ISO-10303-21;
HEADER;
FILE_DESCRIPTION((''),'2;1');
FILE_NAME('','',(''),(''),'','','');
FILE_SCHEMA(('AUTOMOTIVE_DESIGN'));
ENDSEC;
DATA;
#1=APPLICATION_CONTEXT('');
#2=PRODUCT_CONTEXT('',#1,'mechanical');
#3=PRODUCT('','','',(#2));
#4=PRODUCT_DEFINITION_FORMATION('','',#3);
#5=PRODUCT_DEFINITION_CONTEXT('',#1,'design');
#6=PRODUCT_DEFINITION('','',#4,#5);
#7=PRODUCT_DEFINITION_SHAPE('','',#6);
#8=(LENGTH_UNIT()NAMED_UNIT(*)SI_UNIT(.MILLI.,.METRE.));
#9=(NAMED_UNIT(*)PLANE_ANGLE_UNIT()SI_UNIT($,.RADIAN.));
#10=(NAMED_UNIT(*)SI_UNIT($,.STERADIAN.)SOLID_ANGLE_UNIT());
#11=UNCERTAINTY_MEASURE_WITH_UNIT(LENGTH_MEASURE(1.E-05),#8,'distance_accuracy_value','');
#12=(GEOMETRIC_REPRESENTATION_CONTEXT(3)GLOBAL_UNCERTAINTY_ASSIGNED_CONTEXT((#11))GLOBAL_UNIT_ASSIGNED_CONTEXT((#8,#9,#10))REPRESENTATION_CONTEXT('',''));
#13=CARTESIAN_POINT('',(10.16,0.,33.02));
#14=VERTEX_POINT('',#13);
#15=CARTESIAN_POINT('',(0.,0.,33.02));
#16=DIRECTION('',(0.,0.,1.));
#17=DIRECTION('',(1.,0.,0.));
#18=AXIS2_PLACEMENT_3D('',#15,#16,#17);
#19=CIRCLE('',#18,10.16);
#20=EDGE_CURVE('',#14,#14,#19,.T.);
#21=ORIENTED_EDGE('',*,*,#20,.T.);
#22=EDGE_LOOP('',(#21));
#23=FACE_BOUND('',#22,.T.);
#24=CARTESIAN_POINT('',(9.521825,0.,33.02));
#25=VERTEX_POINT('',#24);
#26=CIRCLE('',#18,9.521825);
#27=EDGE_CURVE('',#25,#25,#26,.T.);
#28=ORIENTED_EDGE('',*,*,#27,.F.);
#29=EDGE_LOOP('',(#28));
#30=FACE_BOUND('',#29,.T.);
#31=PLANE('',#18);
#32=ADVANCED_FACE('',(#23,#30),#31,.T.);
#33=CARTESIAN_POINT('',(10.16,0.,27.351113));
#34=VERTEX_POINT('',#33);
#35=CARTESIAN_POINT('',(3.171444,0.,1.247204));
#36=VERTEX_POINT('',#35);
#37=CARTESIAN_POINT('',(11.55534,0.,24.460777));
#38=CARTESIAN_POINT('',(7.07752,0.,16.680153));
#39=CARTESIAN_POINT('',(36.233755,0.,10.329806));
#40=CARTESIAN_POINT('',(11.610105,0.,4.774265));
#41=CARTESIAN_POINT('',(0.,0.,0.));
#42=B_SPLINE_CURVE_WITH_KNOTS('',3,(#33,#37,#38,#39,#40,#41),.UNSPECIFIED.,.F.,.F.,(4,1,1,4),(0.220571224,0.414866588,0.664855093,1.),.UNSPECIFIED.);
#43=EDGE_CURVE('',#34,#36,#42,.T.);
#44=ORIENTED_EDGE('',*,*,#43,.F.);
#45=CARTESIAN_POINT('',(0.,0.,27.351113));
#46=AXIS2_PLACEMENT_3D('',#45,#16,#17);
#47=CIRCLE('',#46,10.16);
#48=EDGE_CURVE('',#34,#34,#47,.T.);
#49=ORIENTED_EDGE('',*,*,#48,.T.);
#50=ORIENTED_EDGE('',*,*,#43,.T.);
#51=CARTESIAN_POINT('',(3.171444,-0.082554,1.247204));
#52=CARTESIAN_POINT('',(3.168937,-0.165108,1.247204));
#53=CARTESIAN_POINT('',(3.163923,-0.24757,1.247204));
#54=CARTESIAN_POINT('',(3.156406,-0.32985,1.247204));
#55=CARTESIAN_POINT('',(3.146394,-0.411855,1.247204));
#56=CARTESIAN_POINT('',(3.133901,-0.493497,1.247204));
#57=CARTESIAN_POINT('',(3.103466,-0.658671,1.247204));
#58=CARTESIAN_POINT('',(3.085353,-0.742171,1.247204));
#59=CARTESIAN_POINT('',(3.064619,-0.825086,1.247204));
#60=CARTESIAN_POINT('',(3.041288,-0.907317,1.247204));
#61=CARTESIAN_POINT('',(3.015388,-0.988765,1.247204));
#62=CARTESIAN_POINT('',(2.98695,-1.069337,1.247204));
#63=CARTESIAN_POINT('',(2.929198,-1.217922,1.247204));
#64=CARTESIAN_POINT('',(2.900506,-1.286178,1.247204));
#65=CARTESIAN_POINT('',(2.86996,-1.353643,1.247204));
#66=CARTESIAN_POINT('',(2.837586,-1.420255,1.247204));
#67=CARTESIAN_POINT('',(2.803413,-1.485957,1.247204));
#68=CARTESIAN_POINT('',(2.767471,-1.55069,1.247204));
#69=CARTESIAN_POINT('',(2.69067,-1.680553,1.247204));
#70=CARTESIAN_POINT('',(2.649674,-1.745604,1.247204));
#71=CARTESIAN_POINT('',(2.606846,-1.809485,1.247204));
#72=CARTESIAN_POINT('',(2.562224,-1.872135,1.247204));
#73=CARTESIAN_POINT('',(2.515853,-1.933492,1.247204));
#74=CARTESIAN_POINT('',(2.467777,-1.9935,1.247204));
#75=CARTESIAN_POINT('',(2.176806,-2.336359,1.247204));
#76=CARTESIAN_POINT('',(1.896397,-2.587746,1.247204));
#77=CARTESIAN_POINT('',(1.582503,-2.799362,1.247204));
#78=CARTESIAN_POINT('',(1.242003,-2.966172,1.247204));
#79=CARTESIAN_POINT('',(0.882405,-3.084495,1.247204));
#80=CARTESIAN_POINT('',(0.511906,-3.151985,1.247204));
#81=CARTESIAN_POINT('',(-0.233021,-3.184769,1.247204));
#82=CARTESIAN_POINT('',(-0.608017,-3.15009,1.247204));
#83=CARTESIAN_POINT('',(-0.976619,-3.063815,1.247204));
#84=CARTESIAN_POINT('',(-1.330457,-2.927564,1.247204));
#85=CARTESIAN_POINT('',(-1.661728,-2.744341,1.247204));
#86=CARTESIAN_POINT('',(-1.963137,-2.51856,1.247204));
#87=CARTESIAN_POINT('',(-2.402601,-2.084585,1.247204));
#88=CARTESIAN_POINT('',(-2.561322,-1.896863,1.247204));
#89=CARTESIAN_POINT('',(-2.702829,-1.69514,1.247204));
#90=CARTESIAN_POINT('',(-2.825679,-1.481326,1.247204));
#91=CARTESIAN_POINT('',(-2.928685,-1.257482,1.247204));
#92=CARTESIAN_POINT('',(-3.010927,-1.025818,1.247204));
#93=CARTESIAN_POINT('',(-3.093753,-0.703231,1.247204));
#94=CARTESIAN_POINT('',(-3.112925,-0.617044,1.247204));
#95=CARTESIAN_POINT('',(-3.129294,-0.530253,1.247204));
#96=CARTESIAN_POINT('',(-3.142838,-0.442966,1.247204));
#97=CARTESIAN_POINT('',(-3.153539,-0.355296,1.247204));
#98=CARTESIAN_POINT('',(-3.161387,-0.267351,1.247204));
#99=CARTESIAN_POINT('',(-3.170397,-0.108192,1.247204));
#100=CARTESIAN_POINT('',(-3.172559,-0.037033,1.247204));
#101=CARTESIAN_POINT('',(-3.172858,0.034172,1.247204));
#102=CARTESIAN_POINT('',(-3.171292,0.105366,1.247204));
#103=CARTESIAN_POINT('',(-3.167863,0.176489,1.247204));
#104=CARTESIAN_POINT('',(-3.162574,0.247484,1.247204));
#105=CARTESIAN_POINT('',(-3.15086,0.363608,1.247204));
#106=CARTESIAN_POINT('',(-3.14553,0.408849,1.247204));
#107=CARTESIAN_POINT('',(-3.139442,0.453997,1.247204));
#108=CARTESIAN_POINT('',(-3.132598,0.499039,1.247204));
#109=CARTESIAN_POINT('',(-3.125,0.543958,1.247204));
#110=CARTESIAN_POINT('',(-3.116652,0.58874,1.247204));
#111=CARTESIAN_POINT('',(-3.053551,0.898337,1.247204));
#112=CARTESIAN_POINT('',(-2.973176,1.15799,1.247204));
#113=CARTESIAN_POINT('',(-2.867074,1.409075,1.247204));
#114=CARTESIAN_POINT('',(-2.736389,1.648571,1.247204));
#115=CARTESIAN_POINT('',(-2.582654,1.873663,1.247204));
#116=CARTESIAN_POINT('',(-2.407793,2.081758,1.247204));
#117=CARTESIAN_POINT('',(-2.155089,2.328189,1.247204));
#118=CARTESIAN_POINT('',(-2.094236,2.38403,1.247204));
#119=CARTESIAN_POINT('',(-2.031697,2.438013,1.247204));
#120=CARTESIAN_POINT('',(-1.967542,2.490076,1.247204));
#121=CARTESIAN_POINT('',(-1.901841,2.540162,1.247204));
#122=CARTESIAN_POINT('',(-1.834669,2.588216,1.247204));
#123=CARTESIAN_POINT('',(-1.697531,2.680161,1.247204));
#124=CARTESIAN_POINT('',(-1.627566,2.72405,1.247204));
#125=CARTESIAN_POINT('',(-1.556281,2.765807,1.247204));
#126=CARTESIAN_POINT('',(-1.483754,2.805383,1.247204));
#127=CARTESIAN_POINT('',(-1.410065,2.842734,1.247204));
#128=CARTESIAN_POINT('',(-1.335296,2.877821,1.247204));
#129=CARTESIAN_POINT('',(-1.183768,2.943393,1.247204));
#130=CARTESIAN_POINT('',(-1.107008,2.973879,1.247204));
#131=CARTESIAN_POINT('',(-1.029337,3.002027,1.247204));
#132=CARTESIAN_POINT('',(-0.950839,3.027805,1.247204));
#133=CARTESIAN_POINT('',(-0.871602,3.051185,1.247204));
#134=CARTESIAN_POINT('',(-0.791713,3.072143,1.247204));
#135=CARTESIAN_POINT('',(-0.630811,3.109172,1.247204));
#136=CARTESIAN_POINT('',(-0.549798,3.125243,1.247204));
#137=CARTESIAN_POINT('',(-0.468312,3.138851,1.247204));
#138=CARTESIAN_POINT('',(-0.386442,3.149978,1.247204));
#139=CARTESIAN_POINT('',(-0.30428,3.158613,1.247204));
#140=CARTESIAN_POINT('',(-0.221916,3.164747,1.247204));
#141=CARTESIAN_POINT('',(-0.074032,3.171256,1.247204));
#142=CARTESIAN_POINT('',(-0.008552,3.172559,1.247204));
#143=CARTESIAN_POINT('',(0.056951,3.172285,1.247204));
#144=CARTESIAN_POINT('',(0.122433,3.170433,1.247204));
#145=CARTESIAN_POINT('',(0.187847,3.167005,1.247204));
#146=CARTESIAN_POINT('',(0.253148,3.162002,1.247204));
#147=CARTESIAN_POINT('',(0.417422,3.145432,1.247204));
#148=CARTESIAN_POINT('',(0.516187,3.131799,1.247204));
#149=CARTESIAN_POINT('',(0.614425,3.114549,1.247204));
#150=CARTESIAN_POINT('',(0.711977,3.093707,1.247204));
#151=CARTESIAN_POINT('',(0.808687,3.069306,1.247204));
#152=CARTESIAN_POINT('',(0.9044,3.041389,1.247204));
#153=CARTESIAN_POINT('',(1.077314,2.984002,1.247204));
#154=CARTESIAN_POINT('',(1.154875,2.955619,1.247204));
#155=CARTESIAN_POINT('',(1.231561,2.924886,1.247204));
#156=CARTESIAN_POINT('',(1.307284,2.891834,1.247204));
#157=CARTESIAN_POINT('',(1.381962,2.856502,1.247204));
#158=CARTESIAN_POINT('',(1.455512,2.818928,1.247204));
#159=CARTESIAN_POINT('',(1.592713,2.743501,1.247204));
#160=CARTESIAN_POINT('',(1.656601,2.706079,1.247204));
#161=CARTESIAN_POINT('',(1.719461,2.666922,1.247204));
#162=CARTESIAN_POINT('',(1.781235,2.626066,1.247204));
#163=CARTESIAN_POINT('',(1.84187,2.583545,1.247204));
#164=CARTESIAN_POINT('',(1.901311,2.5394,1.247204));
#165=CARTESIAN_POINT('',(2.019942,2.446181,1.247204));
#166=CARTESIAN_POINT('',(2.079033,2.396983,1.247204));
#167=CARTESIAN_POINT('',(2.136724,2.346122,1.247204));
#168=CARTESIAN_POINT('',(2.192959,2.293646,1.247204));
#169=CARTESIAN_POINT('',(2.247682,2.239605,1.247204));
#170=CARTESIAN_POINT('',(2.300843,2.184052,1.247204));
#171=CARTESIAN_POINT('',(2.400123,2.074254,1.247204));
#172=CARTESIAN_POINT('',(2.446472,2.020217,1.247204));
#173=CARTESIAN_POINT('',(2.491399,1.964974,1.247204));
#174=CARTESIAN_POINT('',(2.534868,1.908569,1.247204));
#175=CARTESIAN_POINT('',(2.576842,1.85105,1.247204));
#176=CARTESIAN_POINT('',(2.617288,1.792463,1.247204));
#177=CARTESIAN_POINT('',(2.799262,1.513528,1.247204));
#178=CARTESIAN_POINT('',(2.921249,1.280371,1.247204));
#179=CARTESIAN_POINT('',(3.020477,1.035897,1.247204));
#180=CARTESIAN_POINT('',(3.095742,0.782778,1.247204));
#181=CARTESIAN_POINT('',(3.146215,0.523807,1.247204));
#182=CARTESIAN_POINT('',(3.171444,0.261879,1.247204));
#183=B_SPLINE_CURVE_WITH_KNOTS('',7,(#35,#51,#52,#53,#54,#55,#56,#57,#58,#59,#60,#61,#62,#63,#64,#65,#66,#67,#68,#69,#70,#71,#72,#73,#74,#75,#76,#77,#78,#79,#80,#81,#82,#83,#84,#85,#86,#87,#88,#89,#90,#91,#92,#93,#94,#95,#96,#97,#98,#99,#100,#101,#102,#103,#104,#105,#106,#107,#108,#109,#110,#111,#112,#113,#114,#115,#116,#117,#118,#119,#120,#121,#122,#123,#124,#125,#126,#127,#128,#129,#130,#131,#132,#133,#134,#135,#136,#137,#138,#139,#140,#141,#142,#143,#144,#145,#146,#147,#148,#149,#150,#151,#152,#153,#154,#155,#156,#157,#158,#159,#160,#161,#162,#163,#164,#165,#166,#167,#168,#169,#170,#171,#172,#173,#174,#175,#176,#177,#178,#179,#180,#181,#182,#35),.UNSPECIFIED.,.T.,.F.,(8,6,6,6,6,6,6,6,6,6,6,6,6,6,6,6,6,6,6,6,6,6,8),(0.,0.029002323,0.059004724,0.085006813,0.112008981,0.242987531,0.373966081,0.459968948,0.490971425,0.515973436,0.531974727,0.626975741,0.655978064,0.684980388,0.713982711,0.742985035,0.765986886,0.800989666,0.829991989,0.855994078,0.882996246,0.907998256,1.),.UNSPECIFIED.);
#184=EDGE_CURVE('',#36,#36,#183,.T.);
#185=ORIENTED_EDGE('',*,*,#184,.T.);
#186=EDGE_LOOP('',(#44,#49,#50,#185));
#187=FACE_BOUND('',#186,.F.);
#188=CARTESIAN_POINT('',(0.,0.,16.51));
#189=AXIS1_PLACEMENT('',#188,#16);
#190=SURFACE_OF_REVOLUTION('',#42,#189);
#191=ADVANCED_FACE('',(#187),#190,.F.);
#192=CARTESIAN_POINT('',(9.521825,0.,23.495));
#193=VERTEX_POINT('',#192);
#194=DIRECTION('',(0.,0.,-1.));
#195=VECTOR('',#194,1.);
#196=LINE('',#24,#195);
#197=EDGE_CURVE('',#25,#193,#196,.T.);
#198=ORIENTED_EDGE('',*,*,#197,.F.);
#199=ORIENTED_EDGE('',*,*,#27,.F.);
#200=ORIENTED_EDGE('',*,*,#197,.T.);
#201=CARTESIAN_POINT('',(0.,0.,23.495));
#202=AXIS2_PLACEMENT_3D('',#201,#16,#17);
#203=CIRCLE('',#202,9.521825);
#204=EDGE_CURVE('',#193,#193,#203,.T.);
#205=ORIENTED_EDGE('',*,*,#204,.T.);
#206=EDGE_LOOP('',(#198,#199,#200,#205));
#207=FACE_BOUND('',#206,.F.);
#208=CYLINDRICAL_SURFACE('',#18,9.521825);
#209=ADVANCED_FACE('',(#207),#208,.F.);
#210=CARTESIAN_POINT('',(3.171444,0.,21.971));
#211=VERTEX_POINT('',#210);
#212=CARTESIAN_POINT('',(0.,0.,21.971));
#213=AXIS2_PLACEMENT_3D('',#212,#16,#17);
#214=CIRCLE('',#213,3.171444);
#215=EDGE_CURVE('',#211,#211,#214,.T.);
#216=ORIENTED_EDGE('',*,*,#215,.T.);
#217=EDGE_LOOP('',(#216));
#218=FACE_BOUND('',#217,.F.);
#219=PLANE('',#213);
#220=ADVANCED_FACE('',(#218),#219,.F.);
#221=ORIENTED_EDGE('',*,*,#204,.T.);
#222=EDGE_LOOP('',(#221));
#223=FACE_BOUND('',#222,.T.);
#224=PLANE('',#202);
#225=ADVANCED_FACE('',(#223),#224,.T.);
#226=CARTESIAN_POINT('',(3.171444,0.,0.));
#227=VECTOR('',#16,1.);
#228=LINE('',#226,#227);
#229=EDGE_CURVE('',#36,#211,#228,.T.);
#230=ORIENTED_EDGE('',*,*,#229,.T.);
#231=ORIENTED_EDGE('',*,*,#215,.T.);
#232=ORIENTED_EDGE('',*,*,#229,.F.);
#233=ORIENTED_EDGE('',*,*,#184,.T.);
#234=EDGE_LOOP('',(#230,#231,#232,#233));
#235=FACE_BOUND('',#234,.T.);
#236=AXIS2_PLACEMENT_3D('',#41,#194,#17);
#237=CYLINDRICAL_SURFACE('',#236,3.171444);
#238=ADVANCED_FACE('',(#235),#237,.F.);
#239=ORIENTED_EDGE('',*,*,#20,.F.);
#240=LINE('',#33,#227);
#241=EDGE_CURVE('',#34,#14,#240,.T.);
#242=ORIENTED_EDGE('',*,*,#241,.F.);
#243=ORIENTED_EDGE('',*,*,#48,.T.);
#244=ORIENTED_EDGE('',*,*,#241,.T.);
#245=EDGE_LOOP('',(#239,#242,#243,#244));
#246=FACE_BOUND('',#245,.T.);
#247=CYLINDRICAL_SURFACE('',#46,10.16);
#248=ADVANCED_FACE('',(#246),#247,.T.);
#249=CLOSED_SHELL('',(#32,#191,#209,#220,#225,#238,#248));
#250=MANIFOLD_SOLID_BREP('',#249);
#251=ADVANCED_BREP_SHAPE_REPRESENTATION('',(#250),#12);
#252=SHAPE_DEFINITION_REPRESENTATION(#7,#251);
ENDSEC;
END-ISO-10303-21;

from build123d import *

# Parameters (mm, degrees)
F2_R     = 9.521825
F3_DEPTH = 9.525
F4_R     = 3.171444
F5_DEPTH = 21.971


with BuildPart() as f1:
    # F0 (on Front) → F1 (revolve)
    with BuildSketch(Plane.XZ):
        with BuildLine():
            Line((0, 33.02), (0, 0))
            add(Edge.make_bspline(
                [(10.16, 27.3511130363), (11.5553398253, 24.4607770349), (7.0775196637, 16.6801527294), (36.2337549357, 10.3298059575), (11.6101046519, 4.7742649452), (0, 0)],
                knots=[0.2205712239, 0.2205712239, 0.2205712239, 0.2205712239, 0.4148665878, 0.6648550926, 1, 1, 1, 1], degree=3))
            add(Edge.make_bspline(
                [(0.7323480686, 33.02), (3.6263896015, 32.8108602969), (8.7082667586, 30.3582635354), (10.16, 27.3511130363)],
                knots=[0.0184233075, 0.0184233075, 0.0184233075, 0.0184233075, 0.2205712239, 0.2205712239, 0.2205712239, 0.2205712239], degree=3))
            Line((0.7323480686, 33.02), (0, 33.02))
        make_face()
        with BuildLine():
            add(Edge.make_bspline(
                [(0.7323480686, 33.02), (3.6263896015, 32.8108602969), (8.7082667586, 30.3582635354), (10.16, 27.3511130363)],
                knots=[0.0184233075, 0.0184233075, 0.0184233075, 0.0184233075, 0.2205712239, 0.2205712239, 0.2205712239, 0.2205712239], degree=3))
            Line((10.16, 27.3511130363), (10.16, 33.02))
            Line((10.16, 33.02), (0.7323480686, 33.02))
        make_face()
    revolve(axis=Axis((0, 0, 16.51), (0, 0, 1)))

    # F2 (on face) → F3 (cut)
    with BuildSketch(Plane.XY.offset(33.02)):
        Circle(F2_R)
    extrude(amount=-F3_DEPTH, mode=Mode.SUBTRACT)

    # F4 (on Top) → F5 (cut)
    with BuildSketch(Plane.XY):
        Circle(F4_R)
    extrude(amount=F5_DEPTH, mode=Mode.SUBTRACT)


solid = f1.part
